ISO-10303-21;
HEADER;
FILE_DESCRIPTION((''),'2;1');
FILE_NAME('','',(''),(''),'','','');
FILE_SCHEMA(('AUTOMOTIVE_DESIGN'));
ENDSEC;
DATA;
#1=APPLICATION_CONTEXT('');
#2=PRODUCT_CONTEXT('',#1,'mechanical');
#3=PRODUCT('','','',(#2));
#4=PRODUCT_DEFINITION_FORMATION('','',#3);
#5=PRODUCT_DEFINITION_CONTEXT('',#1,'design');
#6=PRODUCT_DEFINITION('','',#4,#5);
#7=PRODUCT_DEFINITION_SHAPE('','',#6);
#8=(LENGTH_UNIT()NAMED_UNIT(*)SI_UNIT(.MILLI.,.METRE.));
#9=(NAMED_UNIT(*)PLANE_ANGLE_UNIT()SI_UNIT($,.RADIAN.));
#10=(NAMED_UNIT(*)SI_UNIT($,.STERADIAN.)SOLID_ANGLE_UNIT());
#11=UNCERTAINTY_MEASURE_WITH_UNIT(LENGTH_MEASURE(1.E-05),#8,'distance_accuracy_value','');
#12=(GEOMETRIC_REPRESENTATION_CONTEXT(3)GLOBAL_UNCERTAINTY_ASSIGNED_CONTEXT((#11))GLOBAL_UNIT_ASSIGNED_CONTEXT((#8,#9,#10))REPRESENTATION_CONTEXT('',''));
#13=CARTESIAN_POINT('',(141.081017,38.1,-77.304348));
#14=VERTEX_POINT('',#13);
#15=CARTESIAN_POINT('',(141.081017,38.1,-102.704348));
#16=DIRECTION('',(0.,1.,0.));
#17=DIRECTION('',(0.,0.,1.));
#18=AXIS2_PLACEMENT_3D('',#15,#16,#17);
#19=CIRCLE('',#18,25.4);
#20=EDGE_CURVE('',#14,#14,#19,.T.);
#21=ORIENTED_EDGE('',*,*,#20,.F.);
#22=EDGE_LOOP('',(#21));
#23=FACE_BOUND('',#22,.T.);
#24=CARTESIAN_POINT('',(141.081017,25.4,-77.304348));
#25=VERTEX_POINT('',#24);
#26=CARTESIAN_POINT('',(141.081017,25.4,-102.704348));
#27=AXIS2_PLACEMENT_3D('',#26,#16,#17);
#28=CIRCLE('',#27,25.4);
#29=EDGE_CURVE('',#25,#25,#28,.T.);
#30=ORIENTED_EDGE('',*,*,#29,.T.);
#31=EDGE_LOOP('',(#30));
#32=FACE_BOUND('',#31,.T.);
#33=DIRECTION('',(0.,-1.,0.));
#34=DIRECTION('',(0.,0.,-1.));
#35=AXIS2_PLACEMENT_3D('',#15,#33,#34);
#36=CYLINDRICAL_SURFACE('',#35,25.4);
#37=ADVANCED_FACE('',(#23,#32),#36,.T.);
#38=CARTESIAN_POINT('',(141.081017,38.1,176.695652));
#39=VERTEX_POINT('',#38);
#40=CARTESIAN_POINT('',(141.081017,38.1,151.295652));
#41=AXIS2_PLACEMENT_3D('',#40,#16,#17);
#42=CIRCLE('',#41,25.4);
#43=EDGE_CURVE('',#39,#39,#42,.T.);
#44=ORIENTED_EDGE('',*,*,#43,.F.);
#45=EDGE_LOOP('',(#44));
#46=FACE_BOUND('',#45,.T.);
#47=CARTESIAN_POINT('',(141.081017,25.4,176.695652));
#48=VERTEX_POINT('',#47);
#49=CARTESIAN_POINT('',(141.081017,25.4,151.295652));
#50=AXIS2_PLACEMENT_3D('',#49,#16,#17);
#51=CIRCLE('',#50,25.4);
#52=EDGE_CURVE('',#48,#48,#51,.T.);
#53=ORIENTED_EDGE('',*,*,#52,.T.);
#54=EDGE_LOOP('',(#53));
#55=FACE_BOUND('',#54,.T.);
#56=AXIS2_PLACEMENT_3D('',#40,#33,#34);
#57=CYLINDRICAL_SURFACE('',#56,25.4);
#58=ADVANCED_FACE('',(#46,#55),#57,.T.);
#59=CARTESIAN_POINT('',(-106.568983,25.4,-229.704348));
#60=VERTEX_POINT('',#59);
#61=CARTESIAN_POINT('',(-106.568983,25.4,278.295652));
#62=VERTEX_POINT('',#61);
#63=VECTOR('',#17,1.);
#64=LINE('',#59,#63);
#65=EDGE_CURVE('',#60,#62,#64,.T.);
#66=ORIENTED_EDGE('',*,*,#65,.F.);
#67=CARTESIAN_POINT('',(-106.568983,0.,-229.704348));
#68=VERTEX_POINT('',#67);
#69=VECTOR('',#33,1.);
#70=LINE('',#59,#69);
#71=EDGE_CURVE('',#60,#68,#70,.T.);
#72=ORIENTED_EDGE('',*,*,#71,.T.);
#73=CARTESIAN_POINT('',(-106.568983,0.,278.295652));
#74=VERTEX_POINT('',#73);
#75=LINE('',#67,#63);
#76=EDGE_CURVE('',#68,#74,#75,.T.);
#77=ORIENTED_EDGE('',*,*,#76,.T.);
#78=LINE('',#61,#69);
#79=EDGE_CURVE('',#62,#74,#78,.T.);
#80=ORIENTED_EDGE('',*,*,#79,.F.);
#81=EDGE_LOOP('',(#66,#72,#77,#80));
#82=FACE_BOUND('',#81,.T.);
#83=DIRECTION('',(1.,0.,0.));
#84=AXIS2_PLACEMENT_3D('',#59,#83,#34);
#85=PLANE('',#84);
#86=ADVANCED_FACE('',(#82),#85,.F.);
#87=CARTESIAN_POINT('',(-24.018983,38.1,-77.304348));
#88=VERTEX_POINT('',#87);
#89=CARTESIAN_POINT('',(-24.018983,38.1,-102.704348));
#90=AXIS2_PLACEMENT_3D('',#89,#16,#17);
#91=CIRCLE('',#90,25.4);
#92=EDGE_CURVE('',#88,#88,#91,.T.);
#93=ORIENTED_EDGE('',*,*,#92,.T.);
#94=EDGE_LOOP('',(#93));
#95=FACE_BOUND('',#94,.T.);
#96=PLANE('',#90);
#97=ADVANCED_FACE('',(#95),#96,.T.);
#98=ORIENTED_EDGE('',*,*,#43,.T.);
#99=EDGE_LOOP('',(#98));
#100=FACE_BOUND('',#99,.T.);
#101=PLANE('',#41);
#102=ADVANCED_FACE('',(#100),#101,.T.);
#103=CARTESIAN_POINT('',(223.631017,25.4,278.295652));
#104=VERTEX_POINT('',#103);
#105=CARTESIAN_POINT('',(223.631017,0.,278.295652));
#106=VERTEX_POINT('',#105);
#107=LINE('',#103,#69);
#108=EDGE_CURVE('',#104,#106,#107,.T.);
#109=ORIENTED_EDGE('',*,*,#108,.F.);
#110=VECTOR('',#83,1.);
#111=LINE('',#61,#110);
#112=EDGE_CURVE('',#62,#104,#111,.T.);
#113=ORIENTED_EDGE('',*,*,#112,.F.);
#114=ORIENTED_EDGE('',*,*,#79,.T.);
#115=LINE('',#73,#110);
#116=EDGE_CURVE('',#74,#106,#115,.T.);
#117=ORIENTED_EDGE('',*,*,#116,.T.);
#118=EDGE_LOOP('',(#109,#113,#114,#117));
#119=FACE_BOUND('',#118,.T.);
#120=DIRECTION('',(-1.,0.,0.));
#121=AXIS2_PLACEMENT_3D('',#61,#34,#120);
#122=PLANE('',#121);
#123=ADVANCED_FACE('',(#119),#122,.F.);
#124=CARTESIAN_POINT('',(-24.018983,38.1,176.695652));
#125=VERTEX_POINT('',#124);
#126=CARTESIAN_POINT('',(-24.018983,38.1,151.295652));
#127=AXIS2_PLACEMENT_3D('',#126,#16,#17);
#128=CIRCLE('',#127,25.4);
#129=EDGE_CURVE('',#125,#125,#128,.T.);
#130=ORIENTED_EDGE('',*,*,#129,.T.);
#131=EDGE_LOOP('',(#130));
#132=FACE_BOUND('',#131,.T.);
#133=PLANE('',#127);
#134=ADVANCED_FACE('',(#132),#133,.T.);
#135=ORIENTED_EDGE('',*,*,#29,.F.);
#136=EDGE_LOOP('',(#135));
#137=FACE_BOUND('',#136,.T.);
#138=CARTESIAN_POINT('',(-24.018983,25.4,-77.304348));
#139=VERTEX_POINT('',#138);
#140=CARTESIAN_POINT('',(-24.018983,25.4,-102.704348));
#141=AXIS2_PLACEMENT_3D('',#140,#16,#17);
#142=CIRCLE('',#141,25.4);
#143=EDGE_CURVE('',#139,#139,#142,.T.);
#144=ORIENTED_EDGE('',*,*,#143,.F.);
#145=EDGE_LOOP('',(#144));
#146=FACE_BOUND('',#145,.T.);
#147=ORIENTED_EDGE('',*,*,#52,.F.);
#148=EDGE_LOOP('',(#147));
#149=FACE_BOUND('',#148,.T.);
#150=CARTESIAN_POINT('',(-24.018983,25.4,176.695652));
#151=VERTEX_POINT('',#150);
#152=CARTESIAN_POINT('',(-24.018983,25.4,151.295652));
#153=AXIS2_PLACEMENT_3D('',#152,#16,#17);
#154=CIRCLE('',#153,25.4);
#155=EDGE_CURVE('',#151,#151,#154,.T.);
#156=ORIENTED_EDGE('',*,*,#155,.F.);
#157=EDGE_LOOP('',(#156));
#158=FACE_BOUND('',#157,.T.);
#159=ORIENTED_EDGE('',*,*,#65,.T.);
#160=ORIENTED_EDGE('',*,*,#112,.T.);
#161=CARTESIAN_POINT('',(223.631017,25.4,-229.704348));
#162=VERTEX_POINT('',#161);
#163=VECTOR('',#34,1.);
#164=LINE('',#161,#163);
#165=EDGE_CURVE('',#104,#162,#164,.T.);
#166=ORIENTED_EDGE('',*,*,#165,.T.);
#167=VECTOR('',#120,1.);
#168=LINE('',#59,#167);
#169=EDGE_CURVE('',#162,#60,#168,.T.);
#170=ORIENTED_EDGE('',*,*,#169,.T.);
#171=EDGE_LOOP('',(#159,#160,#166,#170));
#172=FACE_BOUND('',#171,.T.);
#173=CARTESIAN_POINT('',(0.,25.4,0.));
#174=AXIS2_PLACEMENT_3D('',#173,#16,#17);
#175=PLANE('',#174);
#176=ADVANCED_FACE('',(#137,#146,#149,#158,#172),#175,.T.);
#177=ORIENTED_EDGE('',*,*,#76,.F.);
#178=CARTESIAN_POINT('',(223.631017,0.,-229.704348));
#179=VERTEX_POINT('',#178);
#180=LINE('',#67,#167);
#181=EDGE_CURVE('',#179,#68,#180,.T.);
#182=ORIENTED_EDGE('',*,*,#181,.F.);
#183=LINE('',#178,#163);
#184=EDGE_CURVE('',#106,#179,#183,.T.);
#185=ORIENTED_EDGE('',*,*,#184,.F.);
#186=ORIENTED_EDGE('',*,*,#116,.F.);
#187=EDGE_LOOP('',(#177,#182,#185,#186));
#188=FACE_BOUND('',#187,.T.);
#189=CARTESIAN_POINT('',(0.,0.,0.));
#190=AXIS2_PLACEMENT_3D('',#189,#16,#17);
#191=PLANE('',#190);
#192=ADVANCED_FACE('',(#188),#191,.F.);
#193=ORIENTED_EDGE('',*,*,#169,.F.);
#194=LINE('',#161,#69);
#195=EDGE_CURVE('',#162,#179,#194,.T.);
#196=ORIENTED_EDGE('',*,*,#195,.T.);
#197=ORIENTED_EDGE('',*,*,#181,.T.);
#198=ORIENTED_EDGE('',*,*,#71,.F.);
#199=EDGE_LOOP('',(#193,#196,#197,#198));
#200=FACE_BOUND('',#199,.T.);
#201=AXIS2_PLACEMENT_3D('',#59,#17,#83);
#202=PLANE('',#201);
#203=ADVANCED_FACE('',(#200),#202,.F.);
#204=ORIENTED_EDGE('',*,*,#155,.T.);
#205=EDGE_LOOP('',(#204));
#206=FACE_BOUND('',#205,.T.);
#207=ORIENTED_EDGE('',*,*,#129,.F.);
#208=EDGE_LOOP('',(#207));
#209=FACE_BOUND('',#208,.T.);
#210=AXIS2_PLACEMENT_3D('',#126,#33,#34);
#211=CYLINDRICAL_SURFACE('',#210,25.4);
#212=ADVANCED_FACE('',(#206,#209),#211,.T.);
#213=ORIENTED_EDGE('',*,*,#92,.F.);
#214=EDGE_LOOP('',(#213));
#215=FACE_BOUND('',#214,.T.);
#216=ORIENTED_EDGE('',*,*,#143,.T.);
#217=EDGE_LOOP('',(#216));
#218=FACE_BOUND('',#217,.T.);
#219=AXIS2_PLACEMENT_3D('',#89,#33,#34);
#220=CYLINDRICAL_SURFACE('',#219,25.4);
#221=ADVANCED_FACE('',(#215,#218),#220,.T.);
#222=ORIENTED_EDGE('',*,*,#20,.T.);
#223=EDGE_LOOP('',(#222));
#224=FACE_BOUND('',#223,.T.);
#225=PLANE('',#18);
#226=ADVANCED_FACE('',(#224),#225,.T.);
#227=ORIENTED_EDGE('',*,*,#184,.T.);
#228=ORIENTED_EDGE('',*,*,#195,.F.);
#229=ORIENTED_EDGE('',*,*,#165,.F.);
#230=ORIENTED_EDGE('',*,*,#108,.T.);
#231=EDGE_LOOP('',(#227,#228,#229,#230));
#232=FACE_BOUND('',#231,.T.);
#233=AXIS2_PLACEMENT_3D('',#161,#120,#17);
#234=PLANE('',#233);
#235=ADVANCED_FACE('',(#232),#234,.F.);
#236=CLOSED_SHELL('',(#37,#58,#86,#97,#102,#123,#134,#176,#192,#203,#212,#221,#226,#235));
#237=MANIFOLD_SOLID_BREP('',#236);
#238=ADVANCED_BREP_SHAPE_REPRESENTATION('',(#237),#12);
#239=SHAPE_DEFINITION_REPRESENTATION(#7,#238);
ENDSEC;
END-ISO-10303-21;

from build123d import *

# Parameters (mm, degrees)
SKETCH1_W           = 330.2
SKETCH1_H           = 508
BOSS_EXTRUDE1_DEPTH = 25.4
SKETCH2_R           = 25.4
BOSS_EXTRUDE2_DEPTH = 12.7


with BuildPart() as part:
    # Sketch1 → Boss-Extrude1 (new body)
    with BuildSketch(Plane(origin=(0, 0, 0), x_dir=(1, 0, 0), z_dir=(0, 1, 0))):
        with Locations((58.531016631, -24.295652174)):
            Rectangle(SKETCH1_W, SKETCH1_H)
    extrude(amount=BOSS_EXTRUDE1_DEPTH)

    # Sketch2 → Boss-Extrude2 (add)
    with BuildSketch(Plane(origin=(0, 25.4, 0), x_dir=(1, 0, 0), z_dir=(0, 1, 0))):
        with Locations((-24.018983369, 102.704347826)):
            Circle(SKETCH2_R)
        with Locations((141.081016631, 102.704347826)):
            Circle(SKETCH2_R)
        with Locations((141.081016631, -151.295652174)):
            Circle(SKETCH2_R)
        with Locations((-24.018983369, -151.295652174)):
            Circle(SKETCH2_R)
    extrude(amount=BOSS_EXTRUDE2_DEPTH)


solid = part.part
